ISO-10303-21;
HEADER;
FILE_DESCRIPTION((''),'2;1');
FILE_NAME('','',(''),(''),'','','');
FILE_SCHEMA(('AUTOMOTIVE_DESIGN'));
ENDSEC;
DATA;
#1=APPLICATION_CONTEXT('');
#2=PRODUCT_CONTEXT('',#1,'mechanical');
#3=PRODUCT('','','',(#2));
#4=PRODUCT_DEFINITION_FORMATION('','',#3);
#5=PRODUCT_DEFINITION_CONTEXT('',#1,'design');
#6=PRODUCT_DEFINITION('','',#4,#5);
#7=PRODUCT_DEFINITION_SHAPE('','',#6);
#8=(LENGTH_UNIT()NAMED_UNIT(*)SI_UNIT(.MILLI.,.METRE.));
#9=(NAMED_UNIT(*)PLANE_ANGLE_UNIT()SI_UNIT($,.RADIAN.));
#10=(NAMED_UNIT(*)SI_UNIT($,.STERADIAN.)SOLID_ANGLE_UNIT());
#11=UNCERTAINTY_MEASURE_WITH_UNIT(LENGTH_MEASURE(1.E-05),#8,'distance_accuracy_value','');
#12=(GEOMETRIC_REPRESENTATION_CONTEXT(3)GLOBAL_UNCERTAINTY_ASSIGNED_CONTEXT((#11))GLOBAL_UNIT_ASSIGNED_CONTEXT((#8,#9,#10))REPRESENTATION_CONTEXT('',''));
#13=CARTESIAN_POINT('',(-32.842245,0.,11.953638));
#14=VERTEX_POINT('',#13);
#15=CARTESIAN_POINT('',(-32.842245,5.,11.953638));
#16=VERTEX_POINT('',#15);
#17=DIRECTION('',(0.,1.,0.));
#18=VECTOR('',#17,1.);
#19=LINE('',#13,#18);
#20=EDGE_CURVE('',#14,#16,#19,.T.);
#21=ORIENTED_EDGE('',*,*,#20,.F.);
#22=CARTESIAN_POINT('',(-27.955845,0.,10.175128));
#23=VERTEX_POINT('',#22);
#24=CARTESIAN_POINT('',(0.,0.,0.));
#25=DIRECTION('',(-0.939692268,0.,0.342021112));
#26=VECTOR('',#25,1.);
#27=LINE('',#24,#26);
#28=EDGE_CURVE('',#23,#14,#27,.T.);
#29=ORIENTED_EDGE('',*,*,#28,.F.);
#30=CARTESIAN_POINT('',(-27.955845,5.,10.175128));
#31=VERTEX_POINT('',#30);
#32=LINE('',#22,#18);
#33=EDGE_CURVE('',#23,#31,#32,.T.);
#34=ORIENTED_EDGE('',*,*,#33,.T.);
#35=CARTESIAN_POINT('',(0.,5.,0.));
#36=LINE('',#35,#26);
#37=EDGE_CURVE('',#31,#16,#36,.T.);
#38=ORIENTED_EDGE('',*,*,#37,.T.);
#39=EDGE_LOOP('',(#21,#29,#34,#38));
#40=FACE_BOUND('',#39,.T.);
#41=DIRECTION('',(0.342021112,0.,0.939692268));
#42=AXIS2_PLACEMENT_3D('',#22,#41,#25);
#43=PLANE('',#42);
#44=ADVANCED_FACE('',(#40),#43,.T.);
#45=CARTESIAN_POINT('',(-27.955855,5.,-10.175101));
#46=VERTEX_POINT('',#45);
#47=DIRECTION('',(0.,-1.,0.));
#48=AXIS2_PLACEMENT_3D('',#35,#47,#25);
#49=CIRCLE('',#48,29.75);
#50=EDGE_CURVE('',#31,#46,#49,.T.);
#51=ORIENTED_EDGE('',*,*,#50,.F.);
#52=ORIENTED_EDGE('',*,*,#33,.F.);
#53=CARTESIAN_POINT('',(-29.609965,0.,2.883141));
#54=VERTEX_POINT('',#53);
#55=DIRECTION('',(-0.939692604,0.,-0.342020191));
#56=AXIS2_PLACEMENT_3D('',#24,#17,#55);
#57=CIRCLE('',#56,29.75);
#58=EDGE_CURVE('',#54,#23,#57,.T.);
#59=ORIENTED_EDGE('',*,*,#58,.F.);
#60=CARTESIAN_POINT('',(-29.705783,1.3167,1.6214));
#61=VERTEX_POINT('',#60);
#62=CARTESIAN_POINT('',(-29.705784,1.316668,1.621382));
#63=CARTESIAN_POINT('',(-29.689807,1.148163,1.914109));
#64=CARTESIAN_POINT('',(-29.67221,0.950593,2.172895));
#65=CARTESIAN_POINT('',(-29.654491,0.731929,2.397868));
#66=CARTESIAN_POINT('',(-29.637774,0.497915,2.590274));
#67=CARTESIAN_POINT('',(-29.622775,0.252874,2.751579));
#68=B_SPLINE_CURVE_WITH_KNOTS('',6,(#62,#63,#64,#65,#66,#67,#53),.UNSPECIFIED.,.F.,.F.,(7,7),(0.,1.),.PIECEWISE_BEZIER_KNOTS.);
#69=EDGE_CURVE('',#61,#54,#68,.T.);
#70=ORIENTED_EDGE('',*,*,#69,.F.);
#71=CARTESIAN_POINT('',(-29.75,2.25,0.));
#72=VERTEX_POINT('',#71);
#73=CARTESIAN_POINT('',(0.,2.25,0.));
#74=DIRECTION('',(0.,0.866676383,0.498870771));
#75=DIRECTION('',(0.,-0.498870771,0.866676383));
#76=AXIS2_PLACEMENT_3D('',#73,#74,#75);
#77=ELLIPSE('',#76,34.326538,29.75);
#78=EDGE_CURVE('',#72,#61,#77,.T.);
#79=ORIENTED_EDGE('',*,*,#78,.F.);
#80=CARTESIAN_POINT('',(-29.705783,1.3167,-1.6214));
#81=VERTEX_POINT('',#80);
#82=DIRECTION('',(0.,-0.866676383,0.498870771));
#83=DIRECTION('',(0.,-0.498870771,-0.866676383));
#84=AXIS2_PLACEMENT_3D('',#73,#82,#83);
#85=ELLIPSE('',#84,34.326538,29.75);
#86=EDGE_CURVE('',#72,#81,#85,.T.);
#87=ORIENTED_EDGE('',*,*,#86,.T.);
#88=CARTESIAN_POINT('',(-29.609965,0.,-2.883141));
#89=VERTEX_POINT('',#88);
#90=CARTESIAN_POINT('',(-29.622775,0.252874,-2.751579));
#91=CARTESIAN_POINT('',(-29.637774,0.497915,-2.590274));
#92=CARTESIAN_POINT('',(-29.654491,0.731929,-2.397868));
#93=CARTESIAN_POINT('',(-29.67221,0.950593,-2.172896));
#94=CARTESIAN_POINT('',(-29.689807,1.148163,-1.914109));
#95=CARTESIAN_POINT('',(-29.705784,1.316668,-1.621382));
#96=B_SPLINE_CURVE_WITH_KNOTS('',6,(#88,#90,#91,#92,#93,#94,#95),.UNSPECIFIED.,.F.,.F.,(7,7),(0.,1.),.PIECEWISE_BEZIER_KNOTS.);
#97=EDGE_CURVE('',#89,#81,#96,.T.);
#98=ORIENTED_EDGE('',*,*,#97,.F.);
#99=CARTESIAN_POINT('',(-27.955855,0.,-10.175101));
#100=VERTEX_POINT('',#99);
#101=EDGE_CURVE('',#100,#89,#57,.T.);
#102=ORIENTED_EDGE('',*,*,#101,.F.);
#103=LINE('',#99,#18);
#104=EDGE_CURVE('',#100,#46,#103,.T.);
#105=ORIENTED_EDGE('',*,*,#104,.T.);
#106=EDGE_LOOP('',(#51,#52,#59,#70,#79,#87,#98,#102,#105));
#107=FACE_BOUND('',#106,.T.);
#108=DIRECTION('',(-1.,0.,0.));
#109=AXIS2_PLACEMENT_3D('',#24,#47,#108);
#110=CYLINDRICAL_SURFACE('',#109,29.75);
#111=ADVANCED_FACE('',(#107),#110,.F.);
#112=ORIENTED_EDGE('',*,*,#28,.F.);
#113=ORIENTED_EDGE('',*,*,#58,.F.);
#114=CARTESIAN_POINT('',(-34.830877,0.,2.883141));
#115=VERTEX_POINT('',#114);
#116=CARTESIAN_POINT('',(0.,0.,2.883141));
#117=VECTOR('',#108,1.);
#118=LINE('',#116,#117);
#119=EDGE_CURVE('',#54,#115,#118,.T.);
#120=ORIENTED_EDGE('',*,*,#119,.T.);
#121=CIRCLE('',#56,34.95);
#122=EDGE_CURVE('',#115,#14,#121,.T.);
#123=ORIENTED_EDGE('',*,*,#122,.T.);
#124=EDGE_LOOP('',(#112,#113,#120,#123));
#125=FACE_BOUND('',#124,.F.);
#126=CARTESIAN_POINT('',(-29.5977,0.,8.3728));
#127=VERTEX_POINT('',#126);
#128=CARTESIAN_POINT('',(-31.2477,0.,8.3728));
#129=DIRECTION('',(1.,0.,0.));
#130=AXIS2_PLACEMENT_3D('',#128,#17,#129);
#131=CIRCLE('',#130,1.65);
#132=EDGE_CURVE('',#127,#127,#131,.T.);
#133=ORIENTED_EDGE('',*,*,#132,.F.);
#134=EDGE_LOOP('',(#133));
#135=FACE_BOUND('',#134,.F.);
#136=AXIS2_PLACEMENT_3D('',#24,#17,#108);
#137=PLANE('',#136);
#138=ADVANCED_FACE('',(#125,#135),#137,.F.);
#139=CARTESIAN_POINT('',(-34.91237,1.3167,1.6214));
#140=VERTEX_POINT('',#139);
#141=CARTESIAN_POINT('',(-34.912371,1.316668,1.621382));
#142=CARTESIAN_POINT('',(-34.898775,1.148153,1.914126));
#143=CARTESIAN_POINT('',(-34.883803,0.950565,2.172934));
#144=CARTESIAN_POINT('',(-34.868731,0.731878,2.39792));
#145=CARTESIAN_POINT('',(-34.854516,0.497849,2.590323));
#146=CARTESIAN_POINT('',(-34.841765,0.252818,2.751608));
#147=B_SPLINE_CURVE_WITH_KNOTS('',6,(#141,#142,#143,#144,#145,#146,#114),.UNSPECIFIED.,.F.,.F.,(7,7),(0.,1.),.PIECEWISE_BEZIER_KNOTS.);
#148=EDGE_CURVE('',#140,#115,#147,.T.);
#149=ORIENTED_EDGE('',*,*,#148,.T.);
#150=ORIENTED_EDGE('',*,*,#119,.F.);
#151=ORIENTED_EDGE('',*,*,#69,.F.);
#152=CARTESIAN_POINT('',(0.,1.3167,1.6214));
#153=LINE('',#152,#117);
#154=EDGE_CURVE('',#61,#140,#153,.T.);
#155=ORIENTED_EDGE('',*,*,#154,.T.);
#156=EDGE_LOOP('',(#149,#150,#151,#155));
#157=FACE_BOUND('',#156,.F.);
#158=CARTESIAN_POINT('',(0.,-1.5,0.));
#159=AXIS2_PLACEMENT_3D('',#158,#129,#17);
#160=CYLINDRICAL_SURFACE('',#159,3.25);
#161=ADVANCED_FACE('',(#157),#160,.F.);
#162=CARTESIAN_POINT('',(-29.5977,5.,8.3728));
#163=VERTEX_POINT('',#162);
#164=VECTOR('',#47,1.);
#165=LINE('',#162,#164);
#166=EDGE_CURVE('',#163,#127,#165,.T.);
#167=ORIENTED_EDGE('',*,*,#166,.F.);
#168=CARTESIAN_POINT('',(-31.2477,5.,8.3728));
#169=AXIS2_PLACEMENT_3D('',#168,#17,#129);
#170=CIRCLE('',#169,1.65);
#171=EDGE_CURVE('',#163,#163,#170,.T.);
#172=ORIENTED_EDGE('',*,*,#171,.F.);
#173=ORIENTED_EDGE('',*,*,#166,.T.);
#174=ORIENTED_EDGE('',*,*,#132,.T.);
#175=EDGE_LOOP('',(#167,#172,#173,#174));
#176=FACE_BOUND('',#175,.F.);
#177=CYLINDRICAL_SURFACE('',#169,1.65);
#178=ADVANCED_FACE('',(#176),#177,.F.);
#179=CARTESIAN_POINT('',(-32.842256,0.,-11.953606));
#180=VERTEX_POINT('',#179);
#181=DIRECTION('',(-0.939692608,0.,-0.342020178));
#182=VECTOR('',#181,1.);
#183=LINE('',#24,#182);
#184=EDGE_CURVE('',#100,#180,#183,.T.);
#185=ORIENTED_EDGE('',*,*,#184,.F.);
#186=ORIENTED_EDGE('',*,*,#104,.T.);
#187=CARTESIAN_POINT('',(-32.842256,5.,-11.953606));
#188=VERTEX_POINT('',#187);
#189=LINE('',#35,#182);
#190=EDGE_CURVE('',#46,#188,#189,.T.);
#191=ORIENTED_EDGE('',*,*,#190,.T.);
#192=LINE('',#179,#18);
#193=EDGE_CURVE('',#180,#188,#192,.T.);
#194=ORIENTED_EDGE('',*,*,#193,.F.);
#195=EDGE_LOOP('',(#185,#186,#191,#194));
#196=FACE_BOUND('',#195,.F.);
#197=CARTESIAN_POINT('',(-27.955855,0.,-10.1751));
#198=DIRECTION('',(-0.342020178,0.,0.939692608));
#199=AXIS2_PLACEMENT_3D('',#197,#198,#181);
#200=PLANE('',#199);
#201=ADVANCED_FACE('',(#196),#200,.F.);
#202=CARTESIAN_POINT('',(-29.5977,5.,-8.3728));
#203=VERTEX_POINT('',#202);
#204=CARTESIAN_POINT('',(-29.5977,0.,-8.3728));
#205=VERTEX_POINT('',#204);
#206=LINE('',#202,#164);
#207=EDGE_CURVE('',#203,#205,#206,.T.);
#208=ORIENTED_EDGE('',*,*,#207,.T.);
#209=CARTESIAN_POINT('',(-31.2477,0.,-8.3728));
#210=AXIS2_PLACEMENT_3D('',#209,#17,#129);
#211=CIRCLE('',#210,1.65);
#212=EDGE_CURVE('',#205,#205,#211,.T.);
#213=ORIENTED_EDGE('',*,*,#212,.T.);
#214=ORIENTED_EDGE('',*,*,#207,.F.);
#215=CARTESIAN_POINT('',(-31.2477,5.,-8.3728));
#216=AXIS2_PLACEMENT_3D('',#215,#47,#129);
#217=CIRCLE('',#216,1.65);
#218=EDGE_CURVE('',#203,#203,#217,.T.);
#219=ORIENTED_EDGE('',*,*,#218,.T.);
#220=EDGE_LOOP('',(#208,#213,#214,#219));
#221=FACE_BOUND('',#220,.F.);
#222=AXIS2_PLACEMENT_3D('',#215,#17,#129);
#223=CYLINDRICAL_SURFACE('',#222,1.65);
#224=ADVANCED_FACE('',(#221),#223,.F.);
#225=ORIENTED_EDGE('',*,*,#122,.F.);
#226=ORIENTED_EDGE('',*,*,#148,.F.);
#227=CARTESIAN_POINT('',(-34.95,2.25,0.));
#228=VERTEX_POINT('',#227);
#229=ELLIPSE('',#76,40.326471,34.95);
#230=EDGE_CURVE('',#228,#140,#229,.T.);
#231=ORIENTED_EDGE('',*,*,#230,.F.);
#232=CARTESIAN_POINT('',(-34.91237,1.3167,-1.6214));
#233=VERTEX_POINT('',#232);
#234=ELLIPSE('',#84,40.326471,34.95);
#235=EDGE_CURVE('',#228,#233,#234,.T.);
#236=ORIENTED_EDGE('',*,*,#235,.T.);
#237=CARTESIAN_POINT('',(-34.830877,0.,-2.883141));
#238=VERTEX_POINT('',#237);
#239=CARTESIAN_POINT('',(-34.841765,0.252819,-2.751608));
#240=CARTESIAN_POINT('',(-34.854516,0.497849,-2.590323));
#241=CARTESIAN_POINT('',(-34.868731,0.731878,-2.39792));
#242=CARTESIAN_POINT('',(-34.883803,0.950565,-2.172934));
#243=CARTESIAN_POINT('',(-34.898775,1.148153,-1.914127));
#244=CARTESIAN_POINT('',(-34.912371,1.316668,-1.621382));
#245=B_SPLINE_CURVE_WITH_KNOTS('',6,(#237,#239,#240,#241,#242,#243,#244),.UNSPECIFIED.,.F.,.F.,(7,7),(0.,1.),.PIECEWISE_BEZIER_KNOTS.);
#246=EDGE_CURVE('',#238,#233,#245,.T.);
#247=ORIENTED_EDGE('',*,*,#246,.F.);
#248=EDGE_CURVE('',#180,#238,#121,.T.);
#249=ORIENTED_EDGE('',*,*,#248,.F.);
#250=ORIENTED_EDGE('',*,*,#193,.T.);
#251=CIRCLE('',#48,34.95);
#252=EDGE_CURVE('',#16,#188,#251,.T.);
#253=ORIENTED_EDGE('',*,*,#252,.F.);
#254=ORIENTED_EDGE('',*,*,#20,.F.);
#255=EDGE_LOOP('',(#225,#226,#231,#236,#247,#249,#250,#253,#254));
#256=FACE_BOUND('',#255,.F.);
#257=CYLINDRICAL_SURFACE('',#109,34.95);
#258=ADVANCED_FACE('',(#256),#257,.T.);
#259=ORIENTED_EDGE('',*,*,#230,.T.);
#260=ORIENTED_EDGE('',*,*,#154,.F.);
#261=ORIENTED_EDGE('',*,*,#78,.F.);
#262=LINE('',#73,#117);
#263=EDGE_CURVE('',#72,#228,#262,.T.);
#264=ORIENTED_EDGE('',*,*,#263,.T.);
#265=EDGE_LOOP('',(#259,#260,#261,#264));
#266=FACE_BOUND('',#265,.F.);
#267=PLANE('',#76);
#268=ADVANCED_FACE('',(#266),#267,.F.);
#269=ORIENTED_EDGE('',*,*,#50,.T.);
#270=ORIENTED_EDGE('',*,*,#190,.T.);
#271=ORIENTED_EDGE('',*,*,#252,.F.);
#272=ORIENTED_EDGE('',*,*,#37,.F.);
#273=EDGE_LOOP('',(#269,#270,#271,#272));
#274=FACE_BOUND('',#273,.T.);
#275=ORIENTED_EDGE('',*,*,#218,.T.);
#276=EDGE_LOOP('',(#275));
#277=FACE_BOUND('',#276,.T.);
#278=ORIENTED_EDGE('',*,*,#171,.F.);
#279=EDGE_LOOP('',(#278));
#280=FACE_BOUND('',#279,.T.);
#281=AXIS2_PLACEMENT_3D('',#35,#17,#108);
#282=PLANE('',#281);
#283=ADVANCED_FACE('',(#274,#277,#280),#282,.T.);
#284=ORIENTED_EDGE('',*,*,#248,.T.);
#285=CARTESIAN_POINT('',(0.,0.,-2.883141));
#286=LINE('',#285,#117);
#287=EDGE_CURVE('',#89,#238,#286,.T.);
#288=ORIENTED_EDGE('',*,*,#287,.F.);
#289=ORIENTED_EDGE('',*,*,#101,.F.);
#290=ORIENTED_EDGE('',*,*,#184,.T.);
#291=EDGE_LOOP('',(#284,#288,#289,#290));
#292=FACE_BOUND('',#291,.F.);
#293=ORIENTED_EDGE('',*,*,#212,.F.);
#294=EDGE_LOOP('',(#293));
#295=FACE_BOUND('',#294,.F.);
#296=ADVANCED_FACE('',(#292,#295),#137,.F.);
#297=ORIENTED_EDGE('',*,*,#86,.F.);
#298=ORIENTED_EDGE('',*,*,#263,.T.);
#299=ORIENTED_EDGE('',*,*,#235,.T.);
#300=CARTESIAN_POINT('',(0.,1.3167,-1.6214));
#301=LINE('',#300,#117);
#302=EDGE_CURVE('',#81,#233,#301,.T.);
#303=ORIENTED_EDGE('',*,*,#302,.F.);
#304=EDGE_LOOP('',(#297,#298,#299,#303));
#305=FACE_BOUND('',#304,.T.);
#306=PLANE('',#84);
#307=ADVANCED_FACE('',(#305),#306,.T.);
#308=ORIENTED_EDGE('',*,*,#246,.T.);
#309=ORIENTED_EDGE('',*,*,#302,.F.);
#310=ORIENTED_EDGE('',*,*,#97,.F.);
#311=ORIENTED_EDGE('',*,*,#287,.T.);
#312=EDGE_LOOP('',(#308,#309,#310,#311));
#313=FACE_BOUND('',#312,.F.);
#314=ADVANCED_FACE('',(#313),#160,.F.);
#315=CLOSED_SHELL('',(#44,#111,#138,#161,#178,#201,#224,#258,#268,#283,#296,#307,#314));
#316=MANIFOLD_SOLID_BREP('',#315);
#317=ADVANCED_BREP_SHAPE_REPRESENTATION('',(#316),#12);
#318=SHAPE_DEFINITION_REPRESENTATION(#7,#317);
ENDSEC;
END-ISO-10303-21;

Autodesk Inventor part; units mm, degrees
ref_plane "YZ Plane" through (0, 0, 0) normal (1, 0, 0) x (0, 1, 0)
ref_plane "XZ Plane" through (0, 0, 0) normal (0, 1, 0) x (-1, 0, 0)
ref_plane "XY Plane" through (0, 0, 0) normal (0, 0, 1) x (1, 0, 0)
sketch "Sketch1" plane through (0, 0, 0) normal (0, 1, 0) x (-1, 0, 0)
  circle A0 centre (0, 0) radius 34.95
  circle A1 centre (0, 0) radius 29.75
  line L0 (0, 0) -> (41.2193, -15.0026)
  line L1 (0, 0) -> (43.8647, 0) construction
  line L2 (0, 0) -> (47.0412, -17.1216)
  line L3 (0, 0) -> (50.0602, 0) construction
  line L4 (0, 0) -> (41.5964, 15.1399)
  line L5 (0, 0) -> (44.266, 0) construction
  point P0 (32.8423, 11.9536)
  point P1 (27.9559, 10.1751)
  point P2 (27.9559, -10.1751)
  point P3 (32.8423, -11.9536)
  dimension "d0" = 69.9
  dimension "d1" = 59.5
  dimension "d2" = 20
  dimension "d3" = 340
  dimension "d4" = 20
extrude "Extrusion1" add sketch "Sketch1" along normal blind 5 contours A0 L0 A1 L4 picked at (33.1379, 1.3525)
sketch "Sketch2" plane through (0, 0, 0) normal (1, 0, 0) x (0, 1, 0)
  line L0 (0, 0) -> (0, -1)
  line L1 (0, 10.1751) -> (0, -10.1751) projected
  line L2 (0, -1) -> (0, 1)
  line L3 (0, 0) -> (1, 0)
  line L4 (1, 0) -> (0, 1)
  line L5 (0, 0) -> (-1.5, 0)
  circle A0 centre (-1.5, 0) radius 3.25
  line L6 (1.75, 0) -> (2.25, 0)
  line L7 (2.25, 0) -> (1.3167, -1.6214)
  line L8 (2.25, 0) -> (1.3167, 1.6214)
  point P0 (0, 2.8831)
  point P1 (0, -2.8831)
  dimension "d7" = 1
  dimension "d8" = 2
  dimension "d9" = 1
  dimension "d16" = 1.5
  dimension "d17" = 6.5
  dimension "d18" = 0.5
sketch "Sketch3" plane through (0, 5, 0) normal (0, 1, 0) x (1, 0, 0)
  line L0 (0, 0) -> (-39.1232, 10.483)
  line L1 (0, 0) -> (40.5033, 0) construction
  line L2 (0, 0) -> (-4.9273, 0)
  arc A0 (-32.8423, 11.9536) -> (-32.8423, -11.9536) centre (0, 0) ccw projected
  line L3 (-33.7591, 9.0457) -> (-28.7363, 7.6999)
  arc A1 (-27.9559, 10.1751) -> (-27.9559, -10.1751) centre (0, 0) ccw projected
  circle A2 centre (-31.2477, 8.3728) radius 1.65
  circle A3 centre (-31.2477, -8.3728) radius 1.65
  dimension "d12" = 165
  dimension "d13" = 3.3
extrude "Extrusion3" cut sketch "Sketch3" against normal blind 100
extrude "Extrusion4" cut sketch "Sketch2" against normal blind 200 contours L3 L4 L1 A0 L0 | L1 L4 L3 | A0 L6 L7 | L8 L6 A0
properties part number "cable_jig_clamp"
